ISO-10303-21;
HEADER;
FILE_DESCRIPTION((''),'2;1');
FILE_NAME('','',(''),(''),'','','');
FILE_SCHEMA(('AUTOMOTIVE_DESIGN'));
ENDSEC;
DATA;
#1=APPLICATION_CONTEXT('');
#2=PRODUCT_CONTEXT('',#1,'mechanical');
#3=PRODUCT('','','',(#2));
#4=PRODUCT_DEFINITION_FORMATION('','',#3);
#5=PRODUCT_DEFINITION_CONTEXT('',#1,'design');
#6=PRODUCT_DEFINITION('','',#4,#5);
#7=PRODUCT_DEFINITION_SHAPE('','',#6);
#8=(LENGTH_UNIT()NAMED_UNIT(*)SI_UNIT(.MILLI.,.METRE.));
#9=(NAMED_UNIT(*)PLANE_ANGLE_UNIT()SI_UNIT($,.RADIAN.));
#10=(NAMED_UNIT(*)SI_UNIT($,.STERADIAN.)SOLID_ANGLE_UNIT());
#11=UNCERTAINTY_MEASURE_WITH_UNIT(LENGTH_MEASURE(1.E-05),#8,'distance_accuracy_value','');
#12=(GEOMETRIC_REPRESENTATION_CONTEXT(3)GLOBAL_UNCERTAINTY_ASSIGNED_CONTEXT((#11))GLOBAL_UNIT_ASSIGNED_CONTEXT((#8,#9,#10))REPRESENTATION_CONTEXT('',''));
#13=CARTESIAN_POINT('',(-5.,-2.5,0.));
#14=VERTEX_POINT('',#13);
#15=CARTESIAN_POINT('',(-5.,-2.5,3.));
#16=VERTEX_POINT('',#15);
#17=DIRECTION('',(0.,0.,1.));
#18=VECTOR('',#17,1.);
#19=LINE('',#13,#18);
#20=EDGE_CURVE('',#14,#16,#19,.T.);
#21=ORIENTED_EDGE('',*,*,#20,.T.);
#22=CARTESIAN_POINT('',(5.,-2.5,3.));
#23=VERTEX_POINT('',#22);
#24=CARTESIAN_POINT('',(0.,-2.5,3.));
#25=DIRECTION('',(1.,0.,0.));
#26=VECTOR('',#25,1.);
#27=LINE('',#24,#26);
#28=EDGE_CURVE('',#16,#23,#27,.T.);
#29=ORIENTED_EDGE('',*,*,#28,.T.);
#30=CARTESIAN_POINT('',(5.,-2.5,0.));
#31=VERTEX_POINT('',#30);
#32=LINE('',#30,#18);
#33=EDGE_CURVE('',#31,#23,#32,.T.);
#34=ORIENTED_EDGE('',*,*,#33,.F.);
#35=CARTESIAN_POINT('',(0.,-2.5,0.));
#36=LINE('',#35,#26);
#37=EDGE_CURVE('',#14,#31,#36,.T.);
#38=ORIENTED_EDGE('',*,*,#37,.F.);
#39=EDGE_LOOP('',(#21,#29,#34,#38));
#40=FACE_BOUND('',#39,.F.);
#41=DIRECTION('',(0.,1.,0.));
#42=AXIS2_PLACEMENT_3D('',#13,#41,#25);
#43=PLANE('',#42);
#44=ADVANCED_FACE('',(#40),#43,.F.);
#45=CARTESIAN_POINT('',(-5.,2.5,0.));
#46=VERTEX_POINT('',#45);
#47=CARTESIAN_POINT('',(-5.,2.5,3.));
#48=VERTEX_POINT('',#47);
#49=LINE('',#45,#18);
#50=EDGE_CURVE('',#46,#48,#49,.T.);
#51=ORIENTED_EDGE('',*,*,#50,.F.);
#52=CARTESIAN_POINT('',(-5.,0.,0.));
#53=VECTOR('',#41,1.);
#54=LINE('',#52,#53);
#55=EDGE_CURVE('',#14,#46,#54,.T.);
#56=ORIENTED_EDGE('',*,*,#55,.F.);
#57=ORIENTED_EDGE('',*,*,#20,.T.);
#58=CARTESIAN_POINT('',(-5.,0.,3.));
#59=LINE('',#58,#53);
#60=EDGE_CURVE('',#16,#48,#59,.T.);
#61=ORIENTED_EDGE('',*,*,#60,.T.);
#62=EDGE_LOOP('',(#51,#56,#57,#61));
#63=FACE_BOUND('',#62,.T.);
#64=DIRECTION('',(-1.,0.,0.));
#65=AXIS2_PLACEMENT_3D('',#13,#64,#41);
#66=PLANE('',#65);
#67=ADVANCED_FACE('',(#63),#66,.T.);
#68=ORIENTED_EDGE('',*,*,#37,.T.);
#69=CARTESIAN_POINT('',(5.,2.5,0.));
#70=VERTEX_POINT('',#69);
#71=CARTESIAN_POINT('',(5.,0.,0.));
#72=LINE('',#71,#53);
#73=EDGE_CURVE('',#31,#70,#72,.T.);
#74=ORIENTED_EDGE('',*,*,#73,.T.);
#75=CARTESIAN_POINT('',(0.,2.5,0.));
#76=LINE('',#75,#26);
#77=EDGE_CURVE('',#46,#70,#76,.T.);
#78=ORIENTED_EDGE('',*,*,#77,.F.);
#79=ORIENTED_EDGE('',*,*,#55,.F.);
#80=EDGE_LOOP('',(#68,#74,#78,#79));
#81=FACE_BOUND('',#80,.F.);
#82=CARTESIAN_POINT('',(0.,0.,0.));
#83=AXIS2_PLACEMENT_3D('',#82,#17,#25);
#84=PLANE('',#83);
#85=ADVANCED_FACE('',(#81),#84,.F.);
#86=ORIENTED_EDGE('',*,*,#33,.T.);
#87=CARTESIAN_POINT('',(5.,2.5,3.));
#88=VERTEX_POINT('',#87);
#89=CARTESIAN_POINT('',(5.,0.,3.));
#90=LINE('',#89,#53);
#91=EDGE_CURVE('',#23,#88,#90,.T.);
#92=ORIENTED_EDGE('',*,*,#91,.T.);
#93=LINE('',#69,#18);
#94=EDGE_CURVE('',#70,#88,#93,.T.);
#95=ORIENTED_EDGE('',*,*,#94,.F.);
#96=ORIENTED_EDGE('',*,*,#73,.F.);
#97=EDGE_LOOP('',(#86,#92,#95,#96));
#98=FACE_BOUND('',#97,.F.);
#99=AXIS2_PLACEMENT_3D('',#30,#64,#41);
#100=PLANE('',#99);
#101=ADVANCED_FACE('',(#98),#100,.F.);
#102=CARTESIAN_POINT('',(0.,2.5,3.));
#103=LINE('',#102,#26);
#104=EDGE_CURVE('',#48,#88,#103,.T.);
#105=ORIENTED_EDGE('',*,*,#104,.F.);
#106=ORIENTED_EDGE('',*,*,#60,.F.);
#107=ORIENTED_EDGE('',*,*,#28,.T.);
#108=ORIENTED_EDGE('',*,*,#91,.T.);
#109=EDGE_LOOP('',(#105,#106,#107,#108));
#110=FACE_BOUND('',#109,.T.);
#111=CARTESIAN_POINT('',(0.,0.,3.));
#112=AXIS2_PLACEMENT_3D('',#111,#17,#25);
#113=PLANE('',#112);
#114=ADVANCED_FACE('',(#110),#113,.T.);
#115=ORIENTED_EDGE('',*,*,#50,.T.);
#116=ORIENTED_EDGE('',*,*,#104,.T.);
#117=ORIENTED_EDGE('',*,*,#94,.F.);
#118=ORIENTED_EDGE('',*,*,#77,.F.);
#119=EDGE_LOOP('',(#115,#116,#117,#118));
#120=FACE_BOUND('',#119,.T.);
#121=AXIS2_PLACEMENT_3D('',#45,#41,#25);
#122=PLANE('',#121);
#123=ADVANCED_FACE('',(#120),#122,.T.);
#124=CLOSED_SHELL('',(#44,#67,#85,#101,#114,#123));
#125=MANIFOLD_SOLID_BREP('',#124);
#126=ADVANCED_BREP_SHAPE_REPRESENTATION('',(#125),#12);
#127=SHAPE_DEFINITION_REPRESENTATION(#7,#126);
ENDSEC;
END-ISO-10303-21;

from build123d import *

# Parameters (mm, degrees)
SKETCH1_W           = 10
SKETCH1_H           = 5
BOSS_EXTRUDE1_DEPTH = 3


with BuildPart() as part:
    # Sketch1 → Boss-Extrude1 (new body)
    with BuildSketch(Plane.XY):
        Rectangle(SKETCH1_W, SKETCH1_H)
    extrude(amount=BOSS_EXTRUDE1_DEPTH)


solid = part.part
